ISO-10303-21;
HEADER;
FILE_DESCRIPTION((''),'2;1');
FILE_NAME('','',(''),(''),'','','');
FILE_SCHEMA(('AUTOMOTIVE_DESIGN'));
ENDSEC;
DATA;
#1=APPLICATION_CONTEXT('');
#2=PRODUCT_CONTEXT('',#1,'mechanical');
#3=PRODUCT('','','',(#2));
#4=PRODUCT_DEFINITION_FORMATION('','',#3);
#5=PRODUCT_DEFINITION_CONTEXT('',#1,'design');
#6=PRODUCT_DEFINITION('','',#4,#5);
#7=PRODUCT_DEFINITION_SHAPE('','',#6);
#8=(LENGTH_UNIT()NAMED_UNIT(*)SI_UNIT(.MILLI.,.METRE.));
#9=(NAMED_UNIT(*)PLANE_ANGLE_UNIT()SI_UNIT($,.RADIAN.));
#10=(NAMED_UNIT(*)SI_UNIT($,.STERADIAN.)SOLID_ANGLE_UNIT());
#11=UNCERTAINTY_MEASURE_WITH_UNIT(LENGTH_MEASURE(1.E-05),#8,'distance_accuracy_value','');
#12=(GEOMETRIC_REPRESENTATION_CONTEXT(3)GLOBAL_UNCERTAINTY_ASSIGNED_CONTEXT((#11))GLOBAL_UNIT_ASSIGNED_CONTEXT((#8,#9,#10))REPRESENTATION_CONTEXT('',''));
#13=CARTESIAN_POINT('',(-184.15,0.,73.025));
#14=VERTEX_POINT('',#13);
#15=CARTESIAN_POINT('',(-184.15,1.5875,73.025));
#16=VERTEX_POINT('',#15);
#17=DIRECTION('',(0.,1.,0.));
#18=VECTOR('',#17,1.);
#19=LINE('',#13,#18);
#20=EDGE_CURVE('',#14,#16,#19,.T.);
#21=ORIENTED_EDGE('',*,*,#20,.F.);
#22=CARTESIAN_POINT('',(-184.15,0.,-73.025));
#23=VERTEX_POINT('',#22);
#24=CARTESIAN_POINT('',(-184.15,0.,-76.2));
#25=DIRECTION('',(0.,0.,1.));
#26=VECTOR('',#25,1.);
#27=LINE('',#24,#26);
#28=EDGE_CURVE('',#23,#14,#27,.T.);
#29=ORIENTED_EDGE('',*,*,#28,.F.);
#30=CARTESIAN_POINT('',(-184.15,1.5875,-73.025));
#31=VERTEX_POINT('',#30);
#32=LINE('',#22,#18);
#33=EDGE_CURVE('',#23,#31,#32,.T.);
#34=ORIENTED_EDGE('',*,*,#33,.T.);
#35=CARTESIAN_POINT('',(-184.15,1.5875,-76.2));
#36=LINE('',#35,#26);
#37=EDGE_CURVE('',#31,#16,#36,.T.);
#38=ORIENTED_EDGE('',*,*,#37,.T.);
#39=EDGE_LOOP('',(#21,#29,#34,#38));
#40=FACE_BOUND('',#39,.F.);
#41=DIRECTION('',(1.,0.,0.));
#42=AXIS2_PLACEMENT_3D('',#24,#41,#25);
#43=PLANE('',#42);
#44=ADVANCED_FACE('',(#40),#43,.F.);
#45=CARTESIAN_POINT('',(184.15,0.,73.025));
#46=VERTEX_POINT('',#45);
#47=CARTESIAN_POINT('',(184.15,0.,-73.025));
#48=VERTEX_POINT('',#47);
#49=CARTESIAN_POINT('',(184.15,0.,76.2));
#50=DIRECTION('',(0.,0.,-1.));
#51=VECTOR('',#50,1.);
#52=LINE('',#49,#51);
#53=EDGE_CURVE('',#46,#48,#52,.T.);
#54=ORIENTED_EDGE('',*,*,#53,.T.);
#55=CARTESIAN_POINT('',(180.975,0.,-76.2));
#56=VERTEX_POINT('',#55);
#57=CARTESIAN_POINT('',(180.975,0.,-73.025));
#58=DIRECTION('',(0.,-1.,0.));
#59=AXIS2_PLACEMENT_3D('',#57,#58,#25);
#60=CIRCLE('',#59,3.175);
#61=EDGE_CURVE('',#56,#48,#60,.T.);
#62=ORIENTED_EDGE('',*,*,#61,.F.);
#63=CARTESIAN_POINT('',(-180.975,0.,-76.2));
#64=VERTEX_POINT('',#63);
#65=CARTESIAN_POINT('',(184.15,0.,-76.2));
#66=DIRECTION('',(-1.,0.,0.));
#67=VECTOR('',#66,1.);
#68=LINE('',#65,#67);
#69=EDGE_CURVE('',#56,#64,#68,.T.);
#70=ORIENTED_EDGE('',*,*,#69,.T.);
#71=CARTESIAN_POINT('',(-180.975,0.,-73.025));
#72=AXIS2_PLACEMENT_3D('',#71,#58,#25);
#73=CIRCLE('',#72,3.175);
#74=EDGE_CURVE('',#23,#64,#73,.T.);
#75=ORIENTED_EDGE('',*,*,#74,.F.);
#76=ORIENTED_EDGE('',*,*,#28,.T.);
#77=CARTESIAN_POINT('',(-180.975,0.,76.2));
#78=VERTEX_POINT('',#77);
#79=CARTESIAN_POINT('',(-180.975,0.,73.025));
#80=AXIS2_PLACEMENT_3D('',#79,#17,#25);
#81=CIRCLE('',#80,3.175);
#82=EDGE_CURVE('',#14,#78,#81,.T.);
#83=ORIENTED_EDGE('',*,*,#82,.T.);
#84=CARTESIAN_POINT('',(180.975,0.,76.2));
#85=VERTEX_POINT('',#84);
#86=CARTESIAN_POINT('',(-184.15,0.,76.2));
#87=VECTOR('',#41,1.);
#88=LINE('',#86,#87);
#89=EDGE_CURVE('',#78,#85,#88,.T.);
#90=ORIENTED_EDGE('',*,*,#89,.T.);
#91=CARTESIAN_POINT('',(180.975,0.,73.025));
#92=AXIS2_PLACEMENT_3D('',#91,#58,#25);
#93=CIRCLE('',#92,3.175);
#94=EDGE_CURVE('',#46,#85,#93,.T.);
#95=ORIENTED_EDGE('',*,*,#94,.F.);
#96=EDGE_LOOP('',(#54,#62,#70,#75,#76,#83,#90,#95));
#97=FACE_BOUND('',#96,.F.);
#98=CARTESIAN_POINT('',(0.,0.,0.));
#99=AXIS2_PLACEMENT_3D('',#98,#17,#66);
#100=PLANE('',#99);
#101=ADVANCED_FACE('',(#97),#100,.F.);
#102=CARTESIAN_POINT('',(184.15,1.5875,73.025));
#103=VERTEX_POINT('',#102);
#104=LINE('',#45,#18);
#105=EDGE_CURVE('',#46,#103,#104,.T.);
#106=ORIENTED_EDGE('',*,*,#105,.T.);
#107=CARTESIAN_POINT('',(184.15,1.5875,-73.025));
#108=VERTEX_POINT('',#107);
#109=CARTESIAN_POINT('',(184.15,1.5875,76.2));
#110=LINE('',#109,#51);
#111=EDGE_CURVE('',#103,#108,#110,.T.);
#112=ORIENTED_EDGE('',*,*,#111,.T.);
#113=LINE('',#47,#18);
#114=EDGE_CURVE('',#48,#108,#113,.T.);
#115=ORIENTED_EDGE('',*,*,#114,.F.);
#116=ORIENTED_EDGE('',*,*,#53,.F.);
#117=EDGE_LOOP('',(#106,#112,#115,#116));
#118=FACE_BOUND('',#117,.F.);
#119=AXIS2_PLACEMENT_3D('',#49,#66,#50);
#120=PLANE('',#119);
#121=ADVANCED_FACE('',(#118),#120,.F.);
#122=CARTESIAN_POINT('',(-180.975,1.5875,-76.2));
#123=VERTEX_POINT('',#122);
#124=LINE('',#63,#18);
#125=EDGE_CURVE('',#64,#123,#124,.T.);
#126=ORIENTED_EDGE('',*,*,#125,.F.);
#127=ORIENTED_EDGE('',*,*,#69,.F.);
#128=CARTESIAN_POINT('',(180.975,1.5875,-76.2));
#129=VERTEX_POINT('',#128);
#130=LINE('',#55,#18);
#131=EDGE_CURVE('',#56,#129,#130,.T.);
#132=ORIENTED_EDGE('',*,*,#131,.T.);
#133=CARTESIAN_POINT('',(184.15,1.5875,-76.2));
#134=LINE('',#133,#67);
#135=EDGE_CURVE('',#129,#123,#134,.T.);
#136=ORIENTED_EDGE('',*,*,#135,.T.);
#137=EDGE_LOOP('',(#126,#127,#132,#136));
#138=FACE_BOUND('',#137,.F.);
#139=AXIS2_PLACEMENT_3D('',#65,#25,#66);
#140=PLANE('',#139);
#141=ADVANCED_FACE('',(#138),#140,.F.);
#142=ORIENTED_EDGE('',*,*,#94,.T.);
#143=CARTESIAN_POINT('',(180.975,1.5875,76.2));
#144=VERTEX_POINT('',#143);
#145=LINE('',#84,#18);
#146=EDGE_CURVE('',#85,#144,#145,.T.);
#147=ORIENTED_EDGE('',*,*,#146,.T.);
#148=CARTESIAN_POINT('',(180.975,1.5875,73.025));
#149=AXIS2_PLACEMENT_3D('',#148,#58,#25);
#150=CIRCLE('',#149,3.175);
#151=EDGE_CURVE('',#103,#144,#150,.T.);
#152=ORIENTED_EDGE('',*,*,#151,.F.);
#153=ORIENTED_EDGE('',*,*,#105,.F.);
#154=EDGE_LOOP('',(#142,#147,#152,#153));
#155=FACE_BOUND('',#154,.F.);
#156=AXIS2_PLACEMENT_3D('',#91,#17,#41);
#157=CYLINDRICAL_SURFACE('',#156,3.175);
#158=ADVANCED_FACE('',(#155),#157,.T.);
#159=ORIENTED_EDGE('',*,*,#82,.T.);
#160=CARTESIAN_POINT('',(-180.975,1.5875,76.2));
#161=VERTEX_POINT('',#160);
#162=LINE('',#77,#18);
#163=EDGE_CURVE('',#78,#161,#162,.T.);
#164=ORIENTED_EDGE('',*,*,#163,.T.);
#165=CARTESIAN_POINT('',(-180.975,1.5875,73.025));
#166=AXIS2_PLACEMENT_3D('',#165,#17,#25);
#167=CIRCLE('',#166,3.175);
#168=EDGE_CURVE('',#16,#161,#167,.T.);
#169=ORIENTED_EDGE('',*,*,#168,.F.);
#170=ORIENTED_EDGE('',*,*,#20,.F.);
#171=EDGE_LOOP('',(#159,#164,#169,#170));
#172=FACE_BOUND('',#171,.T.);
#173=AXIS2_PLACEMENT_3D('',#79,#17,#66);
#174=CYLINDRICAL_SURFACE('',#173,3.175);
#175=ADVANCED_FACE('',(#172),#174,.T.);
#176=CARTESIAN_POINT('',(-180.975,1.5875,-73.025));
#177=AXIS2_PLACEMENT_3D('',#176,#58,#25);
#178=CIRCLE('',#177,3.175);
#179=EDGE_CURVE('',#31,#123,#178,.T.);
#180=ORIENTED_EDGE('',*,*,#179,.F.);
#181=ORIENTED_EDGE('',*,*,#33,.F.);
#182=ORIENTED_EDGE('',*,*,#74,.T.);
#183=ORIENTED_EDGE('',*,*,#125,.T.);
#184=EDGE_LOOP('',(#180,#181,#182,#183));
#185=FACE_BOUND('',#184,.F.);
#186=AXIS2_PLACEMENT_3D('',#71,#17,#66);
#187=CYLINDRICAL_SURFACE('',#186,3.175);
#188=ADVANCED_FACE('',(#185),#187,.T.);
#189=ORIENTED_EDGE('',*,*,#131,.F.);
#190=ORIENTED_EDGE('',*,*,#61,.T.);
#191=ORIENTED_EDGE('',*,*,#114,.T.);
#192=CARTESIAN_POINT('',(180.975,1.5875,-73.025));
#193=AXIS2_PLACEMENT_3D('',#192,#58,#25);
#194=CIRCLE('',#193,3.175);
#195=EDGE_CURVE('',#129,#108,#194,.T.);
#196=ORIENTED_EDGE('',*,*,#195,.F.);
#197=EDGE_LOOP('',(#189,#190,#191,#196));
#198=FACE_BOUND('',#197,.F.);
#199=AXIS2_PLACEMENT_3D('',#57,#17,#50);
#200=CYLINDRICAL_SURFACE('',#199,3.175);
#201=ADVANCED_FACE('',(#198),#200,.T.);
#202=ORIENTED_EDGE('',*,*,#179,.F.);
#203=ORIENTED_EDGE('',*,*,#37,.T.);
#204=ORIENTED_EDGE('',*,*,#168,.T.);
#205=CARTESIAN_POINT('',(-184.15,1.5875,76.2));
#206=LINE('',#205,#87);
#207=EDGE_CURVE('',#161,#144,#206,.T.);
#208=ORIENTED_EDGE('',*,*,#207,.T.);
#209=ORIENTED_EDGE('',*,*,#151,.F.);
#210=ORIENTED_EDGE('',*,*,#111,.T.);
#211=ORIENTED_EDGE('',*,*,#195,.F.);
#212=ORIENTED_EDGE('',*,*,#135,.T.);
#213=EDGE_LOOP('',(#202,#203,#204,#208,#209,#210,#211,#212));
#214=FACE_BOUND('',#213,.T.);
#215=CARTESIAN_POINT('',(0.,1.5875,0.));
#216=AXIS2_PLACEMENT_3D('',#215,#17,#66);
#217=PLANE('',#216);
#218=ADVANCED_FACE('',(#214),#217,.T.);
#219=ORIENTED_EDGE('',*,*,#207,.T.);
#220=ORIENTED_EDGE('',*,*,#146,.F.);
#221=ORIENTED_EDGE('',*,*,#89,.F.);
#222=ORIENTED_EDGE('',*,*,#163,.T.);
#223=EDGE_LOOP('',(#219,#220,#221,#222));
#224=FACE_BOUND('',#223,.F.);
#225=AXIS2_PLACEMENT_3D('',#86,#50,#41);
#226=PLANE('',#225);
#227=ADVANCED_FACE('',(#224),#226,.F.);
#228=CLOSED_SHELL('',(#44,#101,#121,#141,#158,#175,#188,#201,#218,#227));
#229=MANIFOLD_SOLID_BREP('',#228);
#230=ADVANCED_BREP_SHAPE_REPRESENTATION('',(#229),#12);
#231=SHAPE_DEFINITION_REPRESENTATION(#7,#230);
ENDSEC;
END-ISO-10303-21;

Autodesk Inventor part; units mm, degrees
ref_plane "YZ Plane" through (0, 0, 0) normal (1, 0, 0) x (0, 1, 0)
ref_plane "XZ Plane" through (0, 0, 0) normal (0, 1, 0) x (-1, 0, 0)
ref_plane "XY Plane" through (0, 0, 0) normal (0, 0, 1) x (1, 0, 0)
sketch "Sketch1" plane through (0, 0, 0) normal (0, 1, 0) x (-1, 0, 0)
  line L0 (184.15, 76.2) -> (-184.15, 76.2)
  line L1 (-184.15, 76.2) -> (-184.15, -76.2)
  line L2 (-184.15, -76.2) -> (184.15, -76.2)
  line L3 (184.15, -76.2) -> (184.15, 76.2)
  point P0 (0, 0)
  point P1 (0, 0)
  dimension "d0" = 152.4
  dimension "d1" = 368.3
extrude "Extrusion1" add sketch "Sketch1" along normal blind 1.5875
fillet "Fillet1" radius 3.175 4 edges at (184.15, 0.7937, 76.2) (184.15, 0.7937, -76.2) (-184.15, 0.7937, 76.2) (-184.15, 0.7937, -76.2)
sketch "Sketch2" plane through (0, 1.5875, 0) normal (0, 1, 0) x (1, 0, 0)
  circle A0 centre (-178.5414, -70.5189) radius 2.54
  line L0 (-178.5414, -70.5189) -> (-178.5414, -45.1189)
  circle A1 centre (-178.5414, -45.1189) radius 2.54
  line L1 (-178.5414, -45.1189) -> (-178.5414, -19.7189)
  circle A2 centre (-178.5414, -19.7189) radius 2.54
  line L2 (-178.5414, -19.7189) -> (-178.5414, 5.6811)
  circle A3 centre (-178.5414, 5.6811) radius 2.54
  line L3 (-178.5414, 5.6811) -> (-178.5414, 31.0811)
  circle A4 centre (-178.5414, 31.0811) radius 2.54
  line L4 (-178.5414, 31.0811) -> (-178.5414, 56.4811)
  circle A5 centre (-178.5414, 56.4811) radius 2.54
  point P0 (0, 0)
  dimension "d7" = 5.08
  dimension "d8" = 25.4
  dimension "d9" = 5.08
  dimension "d10" = 25.4
  dimension "d11" = 5.08
  dimension "d12" = 25.4
  dimension "d13" = 5.08
  dimension "d14" = 25.4
  dimension "d15" = 5.08
  dimension "d16" = 25.4
  dimension "d17" = 5.08
properties part number "belly pan"
